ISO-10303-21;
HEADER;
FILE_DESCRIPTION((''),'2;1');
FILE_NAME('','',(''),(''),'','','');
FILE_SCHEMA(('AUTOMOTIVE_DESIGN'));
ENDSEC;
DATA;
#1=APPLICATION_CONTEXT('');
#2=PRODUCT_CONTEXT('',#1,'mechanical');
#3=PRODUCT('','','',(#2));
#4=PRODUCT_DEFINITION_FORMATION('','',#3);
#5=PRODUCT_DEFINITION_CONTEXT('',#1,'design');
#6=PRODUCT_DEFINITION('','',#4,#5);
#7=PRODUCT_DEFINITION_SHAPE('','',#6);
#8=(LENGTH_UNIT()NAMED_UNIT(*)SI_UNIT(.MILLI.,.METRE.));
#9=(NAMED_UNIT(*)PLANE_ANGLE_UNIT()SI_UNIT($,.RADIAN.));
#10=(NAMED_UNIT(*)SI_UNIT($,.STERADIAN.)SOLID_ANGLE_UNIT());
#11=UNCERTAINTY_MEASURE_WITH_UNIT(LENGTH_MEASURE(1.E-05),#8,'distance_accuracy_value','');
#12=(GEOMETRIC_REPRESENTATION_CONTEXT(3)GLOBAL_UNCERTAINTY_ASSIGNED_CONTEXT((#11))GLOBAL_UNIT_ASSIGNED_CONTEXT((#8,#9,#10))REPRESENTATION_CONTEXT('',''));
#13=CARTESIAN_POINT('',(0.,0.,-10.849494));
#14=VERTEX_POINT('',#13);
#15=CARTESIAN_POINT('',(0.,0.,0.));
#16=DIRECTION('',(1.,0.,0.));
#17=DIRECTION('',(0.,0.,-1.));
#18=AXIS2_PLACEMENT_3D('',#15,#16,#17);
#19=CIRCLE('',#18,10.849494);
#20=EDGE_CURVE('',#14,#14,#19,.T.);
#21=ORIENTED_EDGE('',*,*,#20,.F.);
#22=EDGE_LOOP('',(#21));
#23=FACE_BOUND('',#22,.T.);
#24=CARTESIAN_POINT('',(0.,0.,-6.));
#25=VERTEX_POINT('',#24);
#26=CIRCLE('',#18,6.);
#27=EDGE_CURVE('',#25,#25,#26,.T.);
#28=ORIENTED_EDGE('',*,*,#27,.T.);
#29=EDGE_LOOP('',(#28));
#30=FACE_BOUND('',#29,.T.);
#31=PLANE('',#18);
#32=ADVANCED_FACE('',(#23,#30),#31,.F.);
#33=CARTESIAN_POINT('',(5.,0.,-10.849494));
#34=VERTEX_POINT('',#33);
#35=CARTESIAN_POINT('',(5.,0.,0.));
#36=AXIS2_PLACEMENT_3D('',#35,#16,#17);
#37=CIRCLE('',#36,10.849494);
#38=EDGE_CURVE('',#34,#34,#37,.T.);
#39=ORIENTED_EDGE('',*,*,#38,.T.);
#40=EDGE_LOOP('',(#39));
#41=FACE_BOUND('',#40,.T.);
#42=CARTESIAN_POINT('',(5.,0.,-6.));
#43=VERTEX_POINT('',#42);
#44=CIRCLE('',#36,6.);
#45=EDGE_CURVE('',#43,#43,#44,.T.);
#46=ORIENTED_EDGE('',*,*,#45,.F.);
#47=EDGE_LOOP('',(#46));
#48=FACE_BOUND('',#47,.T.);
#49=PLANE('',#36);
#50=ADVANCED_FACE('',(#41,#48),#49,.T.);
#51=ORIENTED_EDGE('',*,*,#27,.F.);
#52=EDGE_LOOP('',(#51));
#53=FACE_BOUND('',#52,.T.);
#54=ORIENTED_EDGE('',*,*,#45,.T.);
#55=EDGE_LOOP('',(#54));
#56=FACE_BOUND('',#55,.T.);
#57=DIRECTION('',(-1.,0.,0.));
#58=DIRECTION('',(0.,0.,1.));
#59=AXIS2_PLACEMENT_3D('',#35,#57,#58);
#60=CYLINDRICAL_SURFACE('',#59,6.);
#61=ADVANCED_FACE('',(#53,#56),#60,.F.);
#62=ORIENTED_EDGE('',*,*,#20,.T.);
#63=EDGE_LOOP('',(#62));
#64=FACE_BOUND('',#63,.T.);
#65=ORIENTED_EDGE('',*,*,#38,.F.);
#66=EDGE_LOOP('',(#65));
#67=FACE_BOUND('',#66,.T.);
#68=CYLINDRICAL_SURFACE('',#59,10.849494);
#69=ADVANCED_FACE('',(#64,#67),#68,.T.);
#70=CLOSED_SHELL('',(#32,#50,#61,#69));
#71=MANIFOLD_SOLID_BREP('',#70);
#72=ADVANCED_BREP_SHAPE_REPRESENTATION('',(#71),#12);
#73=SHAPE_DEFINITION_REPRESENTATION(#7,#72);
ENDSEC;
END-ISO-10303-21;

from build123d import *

# Parameters (mm, degrees)
SKETCH_1_R      = 10.849493736
SKETCH_1_R_2    = 6
EXTRUDE_1_DEPTH = 5


with BuildPart() as part:
    # 草图1 → 凸台-拉伸1 (new body)
    with BuildSketch(Plane(origin=(0, 0, 0), x_dir=(0, 0, -1), z_dir=(1, 0, 0))):
        Circle(SKETCH_1_R)
        Circle(SKETCH_1_R_2, mode=Mode.SUBTRACT)
    extrude(amount=EXTRUDE_1_DEPTH)


solid = part.part
